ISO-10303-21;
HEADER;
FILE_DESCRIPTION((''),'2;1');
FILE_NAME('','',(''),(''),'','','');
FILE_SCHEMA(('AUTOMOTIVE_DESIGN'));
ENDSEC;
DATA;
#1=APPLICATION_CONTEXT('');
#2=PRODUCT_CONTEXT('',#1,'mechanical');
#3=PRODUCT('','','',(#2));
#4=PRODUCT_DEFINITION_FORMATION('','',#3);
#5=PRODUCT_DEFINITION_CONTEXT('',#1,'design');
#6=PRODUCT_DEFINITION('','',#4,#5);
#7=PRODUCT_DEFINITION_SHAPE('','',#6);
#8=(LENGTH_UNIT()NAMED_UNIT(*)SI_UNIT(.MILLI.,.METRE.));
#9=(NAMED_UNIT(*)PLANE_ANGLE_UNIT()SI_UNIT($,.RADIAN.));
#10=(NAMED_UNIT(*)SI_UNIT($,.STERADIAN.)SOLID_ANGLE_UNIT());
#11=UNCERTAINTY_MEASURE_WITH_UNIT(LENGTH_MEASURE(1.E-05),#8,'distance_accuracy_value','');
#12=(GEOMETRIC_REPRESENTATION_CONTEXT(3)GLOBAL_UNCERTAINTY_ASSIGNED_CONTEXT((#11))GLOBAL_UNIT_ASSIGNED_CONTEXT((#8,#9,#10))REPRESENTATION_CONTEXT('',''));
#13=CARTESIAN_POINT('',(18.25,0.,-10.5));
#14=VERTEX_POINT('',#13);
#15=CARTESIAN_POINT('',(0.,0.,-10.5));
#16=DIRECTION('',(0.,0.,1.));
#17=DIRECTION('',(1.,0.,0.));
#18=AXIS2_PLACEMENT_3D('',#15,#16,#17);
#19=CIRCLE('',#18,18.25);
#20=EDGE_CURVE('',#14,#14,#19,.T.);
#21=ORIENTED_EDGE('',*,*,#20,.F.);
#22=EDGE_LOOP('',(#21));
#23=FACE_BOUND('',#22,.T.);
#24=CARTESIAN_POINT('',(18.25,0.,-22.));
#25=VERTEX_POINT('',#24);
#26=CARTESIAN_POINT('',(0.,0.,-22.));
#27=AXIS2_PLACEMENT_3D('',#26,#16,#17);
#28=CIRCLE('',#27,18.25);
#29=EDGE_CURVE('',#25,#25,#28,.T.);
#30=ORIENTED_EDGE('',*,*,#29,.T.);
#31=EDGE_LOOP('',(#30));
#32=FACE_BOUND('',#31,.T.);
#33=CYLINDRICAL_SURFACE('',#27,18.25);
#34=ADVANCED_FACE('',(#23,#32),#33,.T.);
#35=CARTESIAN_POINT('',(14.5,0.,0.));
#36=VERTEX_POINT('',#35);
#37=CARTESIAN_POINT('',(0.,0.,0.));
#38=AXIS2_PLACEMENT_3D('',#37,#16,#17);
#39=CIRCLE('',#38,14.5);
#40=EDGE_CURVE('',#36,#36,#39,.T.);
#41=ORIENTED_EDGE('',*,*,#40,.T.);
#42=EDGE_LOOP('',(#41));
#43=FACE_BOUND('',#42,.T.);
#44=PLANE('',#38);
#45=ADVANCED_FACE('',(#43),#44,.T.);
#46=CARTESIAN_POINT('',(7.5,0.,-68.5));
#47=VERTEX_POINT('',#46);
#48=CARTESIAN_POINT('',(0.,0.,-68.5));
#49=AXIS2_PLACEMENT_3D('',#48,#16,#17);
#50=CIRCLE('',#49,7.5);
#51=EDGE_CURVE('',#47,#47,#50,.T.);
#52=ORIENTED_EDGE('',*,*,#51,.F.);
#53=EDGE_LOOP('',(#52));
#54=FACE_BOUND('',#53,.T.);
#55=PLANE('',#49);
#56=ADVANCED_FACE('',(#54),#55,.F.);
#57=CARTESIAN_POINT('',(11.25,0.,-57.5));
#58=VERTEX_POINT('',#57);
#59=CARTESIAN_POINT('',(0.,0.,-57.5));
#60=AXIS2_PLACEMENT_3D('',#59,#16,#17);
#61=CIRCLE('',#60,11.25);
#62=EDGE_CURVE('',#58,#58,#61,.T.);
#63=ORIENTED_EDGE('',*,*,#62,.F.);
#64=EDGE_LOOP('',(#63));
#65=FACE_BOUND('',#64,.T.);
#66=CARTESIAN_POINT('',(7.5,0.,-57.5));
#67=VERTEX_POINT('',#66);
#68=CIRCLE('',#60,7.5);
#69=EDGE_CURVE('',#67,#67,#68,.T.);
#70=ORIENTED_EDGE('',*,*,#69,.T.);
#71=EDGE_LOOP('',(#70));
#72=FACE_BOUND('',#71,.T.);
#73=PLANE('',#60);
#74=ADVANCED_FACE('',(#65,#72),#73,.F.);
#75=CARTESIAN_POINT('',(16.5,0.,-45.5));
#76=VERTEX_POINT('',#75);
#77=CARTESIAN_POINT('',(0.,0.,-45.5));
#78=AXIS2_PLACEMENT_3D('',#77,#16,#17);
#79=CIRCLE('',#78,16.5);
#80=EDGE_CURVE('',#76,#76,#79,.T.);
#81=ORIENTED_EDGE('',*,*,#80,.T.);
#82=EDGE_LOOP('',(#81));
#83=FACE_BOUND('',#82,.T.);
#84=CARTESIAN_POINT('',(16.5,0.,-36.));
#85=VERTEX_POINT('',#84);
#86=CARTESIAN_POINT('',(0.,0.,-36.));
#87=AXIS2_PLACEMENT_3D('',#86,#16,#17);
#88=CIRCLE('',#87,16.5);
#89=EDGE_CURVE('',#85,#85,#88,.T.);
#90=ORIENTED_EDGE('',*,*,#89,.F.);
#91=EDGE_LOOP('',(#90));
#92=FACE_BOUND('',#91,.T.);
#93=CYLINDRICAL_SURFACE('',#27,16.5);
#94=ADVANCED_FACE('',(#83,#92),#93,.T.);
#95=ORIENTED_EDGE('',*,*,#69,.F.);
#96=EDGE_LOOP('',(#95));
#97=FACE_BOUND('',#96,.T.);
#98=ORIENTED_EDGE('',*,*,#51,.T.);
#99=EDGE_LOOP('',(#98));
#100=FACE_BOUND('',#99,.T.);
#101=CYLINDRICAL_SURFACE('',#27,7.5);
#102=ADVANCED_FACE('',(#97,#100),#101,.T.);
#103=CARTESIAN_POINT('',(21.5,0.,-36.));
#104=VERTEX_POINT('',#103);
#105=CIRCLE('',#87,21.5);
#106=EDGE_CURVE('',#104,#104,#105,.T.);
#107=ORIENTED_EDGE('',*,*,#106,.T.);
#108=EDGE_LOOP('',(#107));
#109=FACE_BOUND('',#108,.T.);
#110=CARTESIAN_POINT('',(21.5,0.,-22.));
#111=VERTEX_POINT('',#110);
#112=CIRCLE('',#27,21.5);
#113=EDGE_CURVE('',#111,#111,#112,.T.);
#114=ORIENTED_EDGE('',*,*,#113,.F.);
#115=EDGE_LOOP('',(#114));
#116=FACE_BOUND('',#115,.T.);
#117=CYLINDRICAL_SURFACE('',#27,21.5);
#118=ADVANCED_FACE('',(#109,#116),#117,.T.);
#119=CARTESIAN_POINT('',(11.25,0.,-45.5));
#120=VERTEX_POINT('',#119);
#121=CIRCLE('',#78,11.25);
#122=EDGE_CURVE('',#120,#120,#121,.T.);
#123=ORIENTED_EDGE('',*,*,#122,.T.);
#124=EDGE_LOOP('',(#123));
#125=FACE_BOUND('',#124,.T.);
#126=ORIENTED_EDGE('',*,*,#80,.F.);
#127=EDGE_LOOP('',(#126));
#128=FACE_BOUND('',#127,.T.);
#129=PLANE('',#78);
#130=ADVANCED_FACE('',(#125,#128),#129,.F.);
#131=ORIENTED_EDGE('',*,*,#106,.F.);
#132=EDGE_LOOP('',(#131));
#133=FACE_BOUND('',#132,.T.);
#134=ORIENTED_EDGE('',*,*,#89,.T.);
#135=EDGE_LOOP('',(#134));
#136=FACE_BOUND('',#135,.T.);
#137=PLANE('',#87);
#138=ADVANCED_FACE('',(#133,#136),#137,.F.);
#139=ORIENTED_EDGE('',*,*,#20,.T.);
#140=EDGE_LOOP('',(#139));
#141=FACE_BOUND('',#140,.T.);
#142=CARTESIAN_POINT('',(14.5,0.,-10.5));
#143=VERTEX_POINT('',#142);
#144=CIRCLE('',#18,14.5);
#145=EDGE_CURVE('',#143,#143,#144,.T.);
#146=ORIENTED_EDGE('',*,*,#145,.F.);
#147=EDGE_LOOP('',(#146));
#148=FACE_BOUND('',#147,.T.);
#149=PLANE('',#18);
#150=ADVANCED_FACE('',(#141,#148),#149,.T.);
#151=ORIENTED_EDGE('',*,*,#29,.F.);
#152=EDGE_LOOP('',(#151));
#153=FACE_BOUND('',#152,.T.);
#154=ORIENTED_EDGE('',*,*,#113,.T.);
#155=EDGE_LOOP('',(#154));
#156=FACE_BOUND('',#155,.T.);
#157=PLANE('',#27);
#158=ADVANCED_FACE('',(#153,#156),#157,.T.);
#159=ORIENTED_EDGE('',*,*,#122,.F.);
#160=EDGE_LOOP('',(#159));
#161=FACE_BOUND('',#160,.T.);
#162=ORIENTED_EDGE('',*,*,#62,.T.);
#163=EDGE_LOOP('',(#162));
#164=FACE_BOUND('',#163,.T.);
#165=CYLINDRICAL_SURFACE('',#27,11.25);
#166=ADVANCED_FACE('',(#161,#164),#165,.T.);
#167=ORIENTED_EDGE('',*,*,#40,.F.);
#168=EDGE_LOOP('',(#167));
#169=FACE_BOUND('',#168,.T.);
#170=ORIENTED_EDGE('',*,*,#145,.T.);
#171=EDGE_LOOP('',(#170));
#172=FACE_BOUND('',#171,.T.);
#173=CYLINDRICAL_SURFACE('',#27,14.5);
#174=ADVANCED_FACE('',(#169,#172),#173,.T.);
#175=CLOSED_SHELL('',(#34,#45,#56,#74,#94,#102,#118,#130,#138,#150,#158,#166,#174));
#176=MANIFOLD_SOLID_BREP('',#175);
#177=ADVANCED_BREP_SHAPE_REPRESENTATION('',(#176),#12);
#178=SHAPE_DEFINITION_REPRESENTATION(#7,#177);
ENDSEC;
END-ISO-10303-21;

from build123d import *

# Parameters (mm, degrees)
SKETCH1_W   = 10.5
SKETCH1_H   = 14.5
SKETCH1_W_2 = 11
SKETCH1_H_2 = 7.5


with BuildPart() as part:
    # Sketch1 → Revolve1 (revolve)
    with BuildSketch(Plane(origin=(0, 0, 0), x_dir=(0, 0, -1), z_dir=(1, 0, 0)), mode=Mode.PRIVATE) as revolve1_sk:
        with Locations((5.25, 7.25)):
            Rectangle(SKETCH1_W, SKETCH1_H)
        Polygon((10.5, 14.5), (10.5, 0), (22, 0), (22, 18.25), (10.5, 18.25), align=None)
        Polygon((22, 18.25), (22, 0), (36, 0), (36, 16.5), (36, 21.5), (22, 21.5), align=None)
        Polygon((36, 16.5), (36, 0), (45.5, 0), (45.5, 11.25), (45.5, 16.5), align=None)
        Polygon((45.5, 11.25), (45.5, 0), (57.5, 0), (57.5, 7.5), (57.5, 11.25), align=None)
        with Locations((63, 3.75)):
            Rectangle(SKETCH1_W_2, SKETCH1_H_2)
    revolve(revolve1_sk.sketch.rotate(Axis((0, 0, -22), (0, 0, -1)), 90), axis=Axis((0, 0, -22), (0, 0, -1)))


solid = part.part
